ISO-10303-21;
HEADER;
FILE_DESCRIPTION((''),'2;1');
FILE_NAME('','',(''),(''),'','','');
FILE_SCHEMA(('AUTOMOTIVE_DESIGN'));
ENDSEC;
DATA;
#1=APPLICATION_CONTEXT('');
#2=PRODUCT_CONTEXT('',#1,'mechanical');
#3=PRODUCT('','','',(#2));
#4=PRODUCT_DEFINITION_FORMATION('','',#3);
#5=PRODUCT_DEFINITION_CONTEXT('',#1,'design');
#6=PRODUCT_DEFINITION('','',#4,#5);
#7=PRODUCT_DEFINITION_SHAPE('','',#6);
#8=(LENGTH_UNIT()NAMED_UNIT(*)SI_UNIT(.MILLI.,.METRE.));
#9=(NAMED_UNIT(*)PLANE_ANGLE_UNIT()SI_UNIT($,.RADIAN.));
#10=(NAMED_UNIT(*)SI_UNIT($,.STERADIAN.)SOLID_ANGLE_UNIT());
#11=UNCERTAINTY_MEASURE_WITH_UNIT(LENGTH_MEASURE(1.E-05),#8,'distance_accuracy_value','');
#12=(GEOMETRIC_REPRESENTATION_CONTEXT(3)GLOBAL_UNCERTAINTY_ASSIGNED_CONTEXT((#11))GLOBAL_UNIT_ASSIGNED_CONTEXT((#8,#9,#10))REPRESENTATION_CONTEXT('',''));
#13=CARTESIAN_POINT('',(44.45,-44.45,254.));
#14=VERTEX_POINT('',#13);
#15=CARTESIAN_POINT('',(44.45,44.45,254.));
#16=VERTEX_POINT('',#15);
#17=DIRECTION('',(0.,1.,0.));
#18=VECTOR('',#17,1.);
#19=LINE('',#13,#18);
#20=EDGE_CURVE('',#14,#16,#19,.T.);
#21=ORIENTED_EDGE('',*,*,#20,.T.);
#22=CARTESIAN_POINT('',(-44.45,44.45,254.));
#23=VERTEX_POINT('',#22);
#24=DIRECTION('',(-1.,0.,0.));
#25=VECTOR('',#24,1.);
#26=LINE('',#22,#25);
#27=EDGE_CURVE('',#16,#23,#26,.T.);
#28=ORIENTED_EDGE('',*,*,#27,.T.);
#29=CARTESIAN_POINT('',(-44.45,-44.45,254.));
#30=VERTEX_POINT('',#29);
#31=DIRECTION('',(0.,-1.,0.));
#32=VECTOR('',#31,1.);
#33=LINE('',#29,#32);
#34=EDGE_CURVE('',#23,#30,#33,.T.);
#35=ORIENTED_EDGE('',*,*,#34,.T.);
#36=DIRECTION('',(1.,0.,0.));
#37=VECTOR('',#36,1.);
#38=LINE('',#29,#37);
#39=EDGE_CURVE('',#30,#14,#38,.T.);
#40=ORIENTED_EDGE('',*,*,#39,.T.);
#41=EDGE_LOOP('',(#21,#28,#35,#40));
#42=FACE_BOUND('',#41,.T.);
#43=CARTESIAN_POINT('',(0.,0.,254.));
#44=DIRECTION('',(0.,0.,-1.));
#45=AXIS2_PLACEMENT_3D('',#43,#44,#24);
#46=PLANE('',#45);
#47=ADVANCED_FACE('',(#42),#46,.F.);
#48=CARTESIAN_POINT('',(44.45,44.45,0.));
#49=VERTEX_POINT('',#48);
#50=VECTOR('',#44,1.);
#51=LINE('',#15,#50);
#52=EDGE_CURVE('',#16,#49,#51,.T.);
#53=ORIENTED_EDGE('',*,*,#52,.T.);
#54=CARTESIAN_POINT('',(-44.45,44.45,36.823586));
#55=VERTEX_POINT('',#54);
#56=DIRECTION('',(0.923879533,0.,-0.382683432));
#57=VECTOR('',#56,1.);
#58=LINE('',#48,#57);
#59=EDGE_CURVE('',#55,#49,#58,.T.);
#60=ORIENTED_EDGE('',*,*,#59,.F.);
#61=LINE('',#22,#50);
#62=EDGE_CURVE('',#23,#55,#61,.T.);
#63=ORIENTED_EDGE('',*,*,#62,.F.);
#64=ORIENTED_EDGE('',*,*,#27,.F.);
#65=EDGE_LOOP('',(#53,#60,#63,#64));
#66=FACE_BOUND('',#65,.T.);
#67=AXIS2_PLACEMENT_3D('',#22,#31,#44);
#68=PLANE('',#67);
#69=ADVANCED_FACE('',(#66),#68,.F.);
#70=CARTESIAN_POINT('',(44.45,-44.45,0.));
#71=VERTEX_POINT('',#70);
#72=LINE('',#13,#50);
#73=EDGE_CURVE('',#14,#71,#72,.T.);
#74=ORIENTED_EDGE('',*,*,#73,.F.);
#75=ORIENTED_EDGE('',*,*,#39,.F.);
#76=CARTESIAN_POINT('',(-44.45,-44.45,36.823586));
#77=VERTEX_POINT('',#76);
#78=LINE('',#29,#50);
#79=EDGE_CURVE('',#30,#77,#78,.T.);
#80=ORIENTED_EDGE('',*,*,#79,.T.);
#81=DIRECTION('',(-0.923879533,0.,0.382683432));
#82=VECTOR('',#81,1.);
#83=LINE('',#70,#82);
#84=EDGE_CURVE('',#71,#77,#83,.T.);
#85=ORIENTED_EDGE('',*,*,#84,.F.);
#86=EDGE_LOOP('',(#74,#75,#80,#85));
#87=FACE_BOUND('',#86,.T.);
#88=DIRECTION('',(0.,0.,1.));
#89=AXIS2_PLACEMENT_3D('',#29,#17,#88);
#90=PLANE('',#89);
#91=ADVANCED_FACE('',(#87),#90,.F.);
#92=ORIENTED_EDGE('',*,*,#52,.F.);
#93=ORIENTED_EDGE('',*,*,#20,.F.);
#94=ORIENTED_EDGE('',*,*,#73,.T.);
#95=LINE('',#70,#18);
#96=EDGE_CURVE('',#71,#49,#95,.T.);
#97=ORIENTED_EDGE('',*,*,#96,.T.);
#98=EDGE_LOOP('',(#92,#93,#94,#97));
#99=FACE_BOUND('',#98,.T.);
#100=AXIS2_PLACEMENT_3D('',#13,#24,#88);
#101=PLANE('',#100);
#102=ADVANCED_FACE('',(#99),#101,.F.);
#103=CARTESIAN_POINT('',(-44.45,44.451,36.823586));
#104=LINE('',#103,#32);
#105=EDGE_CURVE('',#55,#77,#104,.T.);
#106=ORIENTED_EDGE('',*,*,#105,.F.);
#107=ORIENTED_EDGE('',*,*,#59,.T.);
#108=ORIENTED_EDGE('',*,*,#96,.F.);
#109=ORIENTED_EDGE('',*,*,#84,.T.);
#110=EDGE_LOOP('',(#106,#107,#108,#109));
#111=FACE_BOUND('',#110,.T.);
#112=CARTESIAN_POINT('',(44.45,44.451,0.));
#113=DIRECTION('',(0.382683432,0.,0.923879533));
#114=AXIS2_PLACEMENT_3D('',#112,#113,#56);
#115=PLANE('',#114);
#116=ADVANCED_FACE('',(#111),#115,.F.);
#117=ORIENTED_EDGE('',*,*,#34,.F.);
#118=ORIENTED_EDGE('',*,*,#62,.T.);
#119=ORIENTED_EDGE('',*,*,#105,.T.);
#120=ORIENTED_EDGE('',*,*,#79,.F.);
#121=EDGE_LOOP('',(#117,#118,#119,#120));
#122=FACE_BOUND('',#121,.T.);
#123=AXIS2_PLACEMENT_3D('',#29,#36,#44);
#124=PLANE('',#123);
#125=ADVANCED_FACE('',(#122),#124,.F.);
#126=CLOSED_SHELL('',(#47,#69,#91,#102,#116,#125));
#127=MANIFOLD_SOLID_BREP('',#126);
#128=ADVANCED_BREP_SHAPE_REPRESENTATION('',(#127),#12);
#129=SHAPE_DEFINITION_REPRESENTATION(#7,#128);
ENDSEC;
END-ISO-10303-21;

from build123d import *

# Parameters (mm, degrees)
SKETCH1_W           = 88.9
SKETCH1_H           = 88.9
BOSS_EXTRUDE1_DEPTH = 254
CUT_EXTRUDE1_REACH  = 274.754


with BuildPart() as part:
    # Sketch1 → Boss-Extrude1 (new body)
    with BuildSketch(Plane.XY):
        Rectangle(SKETCH1_W, SKETCH1_H)
    extrude(amount=BOSS_EXTRUDE1_DEPTH)

    # Sketch2 → Cut-Extrude1 (cut, up to next)
    with BuildSketch(Plane.XZ.offset(44.45), mode=Mode.PRIVATE) as cut_extrude1_sk1:
        Polygon((44.45, 0), (-44.45, 36.823585695), (-44.45, 0), align=None)
    cut_extrude1_tool1 = extrude(cut_extrude1_sk1.sketch, amount=-CUT_EXTRUDE1_REACH, mode=Mode.PRIVATE) & part.part
    add(cut_extrude1_tool1.solids().sort_by_distance((-14.816667, -44.45, 12.274529))[0], mode=Mode.SUBTRACT)


solid = part.part
